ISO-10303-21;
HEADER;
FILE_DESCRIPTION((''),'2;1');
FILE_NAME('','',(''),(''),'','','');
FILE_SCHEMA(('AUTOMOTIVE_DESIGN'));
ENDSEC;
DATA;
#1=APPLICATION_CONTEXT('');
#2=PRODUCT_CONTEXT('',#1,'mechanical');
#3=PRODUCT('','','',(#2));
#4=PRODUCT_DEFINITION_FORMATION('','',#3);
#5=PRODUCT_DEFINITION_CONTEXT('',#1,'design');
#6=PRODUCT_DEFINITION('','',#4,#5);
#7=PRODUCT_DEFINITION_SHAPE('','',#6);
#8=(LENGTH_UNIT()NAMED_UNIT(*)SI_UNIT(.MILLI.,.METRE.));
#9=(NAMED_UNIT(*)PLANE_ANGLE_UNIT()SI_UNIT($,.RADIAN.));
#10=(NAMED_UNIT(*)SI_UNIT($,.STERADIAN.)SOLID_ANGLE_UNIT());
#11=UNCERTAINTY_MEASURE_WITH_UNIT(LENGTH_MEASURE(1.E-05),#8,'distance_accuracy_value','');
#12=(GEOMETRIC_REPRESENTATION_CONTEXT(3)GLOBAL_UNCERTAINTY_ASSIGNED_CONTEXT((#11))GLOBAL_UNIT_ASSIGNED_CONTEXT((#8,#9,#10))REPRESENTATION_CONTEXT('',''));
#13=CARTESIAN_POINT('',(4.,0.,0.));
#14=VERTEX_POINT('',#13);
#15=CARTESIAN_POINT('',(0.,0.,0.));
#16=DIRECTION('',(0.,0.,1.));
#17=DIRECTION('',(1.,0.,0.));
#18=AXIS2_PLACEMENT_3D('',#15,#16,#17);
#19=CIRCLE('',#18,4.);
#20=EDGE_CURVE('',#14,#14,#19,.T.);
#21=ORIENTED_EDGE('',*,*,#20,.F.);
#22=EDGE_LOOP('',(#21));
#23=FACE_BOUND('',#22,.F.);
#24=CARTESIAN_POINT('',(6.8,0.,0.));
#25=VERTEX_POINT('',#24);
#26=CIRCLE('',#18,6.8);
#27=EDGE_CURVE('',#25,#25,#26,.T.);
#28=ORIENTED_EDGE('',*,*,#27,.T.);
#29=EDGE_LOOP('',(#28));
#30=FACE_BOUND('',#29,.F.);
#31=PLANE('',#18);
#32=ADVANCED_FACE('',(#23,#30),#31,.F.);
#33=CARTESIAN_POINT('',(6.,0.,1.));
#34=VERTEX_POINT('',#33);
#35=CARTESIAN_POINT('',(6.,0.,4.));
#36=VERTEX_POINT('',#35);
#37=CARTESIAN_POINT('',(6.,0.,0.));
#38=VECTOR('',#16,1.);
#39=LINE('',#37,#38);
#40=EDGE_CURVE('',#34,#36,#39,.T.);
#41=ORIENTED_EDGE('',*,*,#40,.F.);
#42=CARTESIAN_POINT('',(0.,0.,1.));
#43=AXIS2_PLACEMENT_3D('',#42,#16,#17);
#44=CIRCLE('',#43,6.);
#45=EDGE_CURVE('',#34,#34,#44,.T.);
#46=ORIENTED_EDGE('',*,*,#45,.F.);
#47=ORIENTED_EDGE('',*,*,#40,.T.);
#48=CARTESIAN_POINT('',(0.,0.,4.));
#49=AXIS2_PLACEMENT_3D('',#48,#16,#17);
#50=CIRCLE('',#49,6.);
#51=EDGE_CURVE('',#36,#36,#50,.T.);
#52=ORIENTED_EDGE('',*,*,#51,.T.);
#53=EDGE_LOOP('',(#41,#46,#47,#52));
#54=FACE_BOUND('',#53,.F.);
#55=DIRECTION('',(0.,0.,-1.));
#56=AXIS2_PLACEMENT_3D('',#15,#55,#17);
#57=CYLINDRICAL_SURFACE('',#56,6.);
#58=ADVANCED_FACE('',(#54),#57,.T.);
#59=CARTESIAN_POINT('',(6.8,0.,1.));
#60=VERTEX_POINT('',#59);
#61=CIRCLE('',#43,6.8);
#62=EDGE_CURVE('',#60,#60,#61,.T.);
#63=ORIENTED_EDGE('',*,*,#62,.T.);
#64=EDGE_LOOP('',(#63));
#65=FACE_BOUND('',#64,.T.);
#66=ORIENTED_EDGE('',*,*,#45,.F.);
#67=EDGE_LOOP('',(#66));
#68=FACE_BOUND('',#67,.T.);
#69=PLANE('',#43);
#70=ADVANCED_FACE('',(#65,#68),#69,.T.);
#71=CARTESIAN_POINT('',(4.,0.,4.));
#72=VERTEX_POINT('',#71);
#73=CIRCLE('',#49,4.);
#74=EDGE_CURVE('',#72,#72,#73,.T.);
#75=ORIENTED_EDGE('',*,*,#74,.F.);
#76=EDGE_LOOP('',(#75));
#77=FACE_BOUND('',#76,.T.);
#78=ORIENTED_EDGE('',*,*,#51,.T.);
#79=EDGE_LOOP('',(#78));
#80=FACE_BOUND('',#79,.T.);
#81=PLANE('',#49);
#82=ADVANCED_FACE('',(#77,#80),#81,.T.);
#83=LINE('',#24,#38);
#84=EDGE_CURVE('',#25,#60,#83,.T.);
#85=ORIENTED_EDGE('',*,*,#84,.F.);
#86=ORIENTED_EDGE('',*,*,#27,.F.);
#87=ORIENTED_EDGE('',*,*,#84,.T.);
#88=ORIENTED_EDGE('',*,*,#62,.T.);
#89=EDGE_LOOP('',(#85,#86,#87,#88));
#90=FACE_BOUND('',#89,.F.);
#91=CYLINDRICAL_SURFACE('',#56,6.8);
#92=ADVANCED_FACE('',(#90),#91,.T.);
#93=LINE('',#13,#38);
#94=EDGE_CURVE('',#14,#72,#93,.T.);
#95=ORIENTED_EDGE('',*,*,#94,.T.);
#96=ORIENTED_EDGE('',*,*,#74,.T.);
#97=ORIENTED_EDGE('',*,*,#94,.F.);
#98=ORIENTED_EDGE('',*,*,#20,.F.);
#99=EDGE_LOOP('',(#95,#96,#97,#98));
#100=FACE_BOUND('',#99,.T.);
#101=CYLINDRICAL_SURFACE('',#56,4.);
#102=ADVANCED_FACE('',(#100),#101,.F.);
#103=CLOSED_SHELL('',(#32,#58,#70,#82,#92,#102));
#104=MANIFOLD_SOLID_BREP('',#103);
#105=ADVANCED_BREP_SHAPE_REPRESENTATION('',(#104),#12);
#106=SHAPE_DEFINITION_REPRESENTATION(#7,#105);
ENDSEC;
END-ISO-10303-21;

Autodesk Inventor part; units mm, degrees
ref_plane "YZ Plane" through (0, 0, 0) normal (1, 0, 0) x (0, 1, 0)
ref_plane "XZ Plane" through (0, 0, 0) normal (0, 1, 0) x (-1, 0, 0)
ref_plane "XY Plane" through (0, 0, 0) normal (0, 0, 1) x (1, 0, 0)
sketch "スケッチ1" plane through (0, 0, 0) normal (0, 0, 1) x (1, 0, 0)
  circle A0 centre (0, 0) radius 4
  circle A1 centre (0, 0) radius 6
  circle A2 centre (0, 0) radius 6.8
  dimension "d0" = 8
  dimension "d1" = 12
  dimension "d2" = 13.6
extrude "押し出し1" add sketch "スケッチ1" along normal blind 4 contours A1
extrude "押し出し2" add sketch "スケッチ1" along normal blind 1 contours A2
properties part number "TH22_bearing_8_12_13.6_sn" material "アルミニウム 6061-AHC"
